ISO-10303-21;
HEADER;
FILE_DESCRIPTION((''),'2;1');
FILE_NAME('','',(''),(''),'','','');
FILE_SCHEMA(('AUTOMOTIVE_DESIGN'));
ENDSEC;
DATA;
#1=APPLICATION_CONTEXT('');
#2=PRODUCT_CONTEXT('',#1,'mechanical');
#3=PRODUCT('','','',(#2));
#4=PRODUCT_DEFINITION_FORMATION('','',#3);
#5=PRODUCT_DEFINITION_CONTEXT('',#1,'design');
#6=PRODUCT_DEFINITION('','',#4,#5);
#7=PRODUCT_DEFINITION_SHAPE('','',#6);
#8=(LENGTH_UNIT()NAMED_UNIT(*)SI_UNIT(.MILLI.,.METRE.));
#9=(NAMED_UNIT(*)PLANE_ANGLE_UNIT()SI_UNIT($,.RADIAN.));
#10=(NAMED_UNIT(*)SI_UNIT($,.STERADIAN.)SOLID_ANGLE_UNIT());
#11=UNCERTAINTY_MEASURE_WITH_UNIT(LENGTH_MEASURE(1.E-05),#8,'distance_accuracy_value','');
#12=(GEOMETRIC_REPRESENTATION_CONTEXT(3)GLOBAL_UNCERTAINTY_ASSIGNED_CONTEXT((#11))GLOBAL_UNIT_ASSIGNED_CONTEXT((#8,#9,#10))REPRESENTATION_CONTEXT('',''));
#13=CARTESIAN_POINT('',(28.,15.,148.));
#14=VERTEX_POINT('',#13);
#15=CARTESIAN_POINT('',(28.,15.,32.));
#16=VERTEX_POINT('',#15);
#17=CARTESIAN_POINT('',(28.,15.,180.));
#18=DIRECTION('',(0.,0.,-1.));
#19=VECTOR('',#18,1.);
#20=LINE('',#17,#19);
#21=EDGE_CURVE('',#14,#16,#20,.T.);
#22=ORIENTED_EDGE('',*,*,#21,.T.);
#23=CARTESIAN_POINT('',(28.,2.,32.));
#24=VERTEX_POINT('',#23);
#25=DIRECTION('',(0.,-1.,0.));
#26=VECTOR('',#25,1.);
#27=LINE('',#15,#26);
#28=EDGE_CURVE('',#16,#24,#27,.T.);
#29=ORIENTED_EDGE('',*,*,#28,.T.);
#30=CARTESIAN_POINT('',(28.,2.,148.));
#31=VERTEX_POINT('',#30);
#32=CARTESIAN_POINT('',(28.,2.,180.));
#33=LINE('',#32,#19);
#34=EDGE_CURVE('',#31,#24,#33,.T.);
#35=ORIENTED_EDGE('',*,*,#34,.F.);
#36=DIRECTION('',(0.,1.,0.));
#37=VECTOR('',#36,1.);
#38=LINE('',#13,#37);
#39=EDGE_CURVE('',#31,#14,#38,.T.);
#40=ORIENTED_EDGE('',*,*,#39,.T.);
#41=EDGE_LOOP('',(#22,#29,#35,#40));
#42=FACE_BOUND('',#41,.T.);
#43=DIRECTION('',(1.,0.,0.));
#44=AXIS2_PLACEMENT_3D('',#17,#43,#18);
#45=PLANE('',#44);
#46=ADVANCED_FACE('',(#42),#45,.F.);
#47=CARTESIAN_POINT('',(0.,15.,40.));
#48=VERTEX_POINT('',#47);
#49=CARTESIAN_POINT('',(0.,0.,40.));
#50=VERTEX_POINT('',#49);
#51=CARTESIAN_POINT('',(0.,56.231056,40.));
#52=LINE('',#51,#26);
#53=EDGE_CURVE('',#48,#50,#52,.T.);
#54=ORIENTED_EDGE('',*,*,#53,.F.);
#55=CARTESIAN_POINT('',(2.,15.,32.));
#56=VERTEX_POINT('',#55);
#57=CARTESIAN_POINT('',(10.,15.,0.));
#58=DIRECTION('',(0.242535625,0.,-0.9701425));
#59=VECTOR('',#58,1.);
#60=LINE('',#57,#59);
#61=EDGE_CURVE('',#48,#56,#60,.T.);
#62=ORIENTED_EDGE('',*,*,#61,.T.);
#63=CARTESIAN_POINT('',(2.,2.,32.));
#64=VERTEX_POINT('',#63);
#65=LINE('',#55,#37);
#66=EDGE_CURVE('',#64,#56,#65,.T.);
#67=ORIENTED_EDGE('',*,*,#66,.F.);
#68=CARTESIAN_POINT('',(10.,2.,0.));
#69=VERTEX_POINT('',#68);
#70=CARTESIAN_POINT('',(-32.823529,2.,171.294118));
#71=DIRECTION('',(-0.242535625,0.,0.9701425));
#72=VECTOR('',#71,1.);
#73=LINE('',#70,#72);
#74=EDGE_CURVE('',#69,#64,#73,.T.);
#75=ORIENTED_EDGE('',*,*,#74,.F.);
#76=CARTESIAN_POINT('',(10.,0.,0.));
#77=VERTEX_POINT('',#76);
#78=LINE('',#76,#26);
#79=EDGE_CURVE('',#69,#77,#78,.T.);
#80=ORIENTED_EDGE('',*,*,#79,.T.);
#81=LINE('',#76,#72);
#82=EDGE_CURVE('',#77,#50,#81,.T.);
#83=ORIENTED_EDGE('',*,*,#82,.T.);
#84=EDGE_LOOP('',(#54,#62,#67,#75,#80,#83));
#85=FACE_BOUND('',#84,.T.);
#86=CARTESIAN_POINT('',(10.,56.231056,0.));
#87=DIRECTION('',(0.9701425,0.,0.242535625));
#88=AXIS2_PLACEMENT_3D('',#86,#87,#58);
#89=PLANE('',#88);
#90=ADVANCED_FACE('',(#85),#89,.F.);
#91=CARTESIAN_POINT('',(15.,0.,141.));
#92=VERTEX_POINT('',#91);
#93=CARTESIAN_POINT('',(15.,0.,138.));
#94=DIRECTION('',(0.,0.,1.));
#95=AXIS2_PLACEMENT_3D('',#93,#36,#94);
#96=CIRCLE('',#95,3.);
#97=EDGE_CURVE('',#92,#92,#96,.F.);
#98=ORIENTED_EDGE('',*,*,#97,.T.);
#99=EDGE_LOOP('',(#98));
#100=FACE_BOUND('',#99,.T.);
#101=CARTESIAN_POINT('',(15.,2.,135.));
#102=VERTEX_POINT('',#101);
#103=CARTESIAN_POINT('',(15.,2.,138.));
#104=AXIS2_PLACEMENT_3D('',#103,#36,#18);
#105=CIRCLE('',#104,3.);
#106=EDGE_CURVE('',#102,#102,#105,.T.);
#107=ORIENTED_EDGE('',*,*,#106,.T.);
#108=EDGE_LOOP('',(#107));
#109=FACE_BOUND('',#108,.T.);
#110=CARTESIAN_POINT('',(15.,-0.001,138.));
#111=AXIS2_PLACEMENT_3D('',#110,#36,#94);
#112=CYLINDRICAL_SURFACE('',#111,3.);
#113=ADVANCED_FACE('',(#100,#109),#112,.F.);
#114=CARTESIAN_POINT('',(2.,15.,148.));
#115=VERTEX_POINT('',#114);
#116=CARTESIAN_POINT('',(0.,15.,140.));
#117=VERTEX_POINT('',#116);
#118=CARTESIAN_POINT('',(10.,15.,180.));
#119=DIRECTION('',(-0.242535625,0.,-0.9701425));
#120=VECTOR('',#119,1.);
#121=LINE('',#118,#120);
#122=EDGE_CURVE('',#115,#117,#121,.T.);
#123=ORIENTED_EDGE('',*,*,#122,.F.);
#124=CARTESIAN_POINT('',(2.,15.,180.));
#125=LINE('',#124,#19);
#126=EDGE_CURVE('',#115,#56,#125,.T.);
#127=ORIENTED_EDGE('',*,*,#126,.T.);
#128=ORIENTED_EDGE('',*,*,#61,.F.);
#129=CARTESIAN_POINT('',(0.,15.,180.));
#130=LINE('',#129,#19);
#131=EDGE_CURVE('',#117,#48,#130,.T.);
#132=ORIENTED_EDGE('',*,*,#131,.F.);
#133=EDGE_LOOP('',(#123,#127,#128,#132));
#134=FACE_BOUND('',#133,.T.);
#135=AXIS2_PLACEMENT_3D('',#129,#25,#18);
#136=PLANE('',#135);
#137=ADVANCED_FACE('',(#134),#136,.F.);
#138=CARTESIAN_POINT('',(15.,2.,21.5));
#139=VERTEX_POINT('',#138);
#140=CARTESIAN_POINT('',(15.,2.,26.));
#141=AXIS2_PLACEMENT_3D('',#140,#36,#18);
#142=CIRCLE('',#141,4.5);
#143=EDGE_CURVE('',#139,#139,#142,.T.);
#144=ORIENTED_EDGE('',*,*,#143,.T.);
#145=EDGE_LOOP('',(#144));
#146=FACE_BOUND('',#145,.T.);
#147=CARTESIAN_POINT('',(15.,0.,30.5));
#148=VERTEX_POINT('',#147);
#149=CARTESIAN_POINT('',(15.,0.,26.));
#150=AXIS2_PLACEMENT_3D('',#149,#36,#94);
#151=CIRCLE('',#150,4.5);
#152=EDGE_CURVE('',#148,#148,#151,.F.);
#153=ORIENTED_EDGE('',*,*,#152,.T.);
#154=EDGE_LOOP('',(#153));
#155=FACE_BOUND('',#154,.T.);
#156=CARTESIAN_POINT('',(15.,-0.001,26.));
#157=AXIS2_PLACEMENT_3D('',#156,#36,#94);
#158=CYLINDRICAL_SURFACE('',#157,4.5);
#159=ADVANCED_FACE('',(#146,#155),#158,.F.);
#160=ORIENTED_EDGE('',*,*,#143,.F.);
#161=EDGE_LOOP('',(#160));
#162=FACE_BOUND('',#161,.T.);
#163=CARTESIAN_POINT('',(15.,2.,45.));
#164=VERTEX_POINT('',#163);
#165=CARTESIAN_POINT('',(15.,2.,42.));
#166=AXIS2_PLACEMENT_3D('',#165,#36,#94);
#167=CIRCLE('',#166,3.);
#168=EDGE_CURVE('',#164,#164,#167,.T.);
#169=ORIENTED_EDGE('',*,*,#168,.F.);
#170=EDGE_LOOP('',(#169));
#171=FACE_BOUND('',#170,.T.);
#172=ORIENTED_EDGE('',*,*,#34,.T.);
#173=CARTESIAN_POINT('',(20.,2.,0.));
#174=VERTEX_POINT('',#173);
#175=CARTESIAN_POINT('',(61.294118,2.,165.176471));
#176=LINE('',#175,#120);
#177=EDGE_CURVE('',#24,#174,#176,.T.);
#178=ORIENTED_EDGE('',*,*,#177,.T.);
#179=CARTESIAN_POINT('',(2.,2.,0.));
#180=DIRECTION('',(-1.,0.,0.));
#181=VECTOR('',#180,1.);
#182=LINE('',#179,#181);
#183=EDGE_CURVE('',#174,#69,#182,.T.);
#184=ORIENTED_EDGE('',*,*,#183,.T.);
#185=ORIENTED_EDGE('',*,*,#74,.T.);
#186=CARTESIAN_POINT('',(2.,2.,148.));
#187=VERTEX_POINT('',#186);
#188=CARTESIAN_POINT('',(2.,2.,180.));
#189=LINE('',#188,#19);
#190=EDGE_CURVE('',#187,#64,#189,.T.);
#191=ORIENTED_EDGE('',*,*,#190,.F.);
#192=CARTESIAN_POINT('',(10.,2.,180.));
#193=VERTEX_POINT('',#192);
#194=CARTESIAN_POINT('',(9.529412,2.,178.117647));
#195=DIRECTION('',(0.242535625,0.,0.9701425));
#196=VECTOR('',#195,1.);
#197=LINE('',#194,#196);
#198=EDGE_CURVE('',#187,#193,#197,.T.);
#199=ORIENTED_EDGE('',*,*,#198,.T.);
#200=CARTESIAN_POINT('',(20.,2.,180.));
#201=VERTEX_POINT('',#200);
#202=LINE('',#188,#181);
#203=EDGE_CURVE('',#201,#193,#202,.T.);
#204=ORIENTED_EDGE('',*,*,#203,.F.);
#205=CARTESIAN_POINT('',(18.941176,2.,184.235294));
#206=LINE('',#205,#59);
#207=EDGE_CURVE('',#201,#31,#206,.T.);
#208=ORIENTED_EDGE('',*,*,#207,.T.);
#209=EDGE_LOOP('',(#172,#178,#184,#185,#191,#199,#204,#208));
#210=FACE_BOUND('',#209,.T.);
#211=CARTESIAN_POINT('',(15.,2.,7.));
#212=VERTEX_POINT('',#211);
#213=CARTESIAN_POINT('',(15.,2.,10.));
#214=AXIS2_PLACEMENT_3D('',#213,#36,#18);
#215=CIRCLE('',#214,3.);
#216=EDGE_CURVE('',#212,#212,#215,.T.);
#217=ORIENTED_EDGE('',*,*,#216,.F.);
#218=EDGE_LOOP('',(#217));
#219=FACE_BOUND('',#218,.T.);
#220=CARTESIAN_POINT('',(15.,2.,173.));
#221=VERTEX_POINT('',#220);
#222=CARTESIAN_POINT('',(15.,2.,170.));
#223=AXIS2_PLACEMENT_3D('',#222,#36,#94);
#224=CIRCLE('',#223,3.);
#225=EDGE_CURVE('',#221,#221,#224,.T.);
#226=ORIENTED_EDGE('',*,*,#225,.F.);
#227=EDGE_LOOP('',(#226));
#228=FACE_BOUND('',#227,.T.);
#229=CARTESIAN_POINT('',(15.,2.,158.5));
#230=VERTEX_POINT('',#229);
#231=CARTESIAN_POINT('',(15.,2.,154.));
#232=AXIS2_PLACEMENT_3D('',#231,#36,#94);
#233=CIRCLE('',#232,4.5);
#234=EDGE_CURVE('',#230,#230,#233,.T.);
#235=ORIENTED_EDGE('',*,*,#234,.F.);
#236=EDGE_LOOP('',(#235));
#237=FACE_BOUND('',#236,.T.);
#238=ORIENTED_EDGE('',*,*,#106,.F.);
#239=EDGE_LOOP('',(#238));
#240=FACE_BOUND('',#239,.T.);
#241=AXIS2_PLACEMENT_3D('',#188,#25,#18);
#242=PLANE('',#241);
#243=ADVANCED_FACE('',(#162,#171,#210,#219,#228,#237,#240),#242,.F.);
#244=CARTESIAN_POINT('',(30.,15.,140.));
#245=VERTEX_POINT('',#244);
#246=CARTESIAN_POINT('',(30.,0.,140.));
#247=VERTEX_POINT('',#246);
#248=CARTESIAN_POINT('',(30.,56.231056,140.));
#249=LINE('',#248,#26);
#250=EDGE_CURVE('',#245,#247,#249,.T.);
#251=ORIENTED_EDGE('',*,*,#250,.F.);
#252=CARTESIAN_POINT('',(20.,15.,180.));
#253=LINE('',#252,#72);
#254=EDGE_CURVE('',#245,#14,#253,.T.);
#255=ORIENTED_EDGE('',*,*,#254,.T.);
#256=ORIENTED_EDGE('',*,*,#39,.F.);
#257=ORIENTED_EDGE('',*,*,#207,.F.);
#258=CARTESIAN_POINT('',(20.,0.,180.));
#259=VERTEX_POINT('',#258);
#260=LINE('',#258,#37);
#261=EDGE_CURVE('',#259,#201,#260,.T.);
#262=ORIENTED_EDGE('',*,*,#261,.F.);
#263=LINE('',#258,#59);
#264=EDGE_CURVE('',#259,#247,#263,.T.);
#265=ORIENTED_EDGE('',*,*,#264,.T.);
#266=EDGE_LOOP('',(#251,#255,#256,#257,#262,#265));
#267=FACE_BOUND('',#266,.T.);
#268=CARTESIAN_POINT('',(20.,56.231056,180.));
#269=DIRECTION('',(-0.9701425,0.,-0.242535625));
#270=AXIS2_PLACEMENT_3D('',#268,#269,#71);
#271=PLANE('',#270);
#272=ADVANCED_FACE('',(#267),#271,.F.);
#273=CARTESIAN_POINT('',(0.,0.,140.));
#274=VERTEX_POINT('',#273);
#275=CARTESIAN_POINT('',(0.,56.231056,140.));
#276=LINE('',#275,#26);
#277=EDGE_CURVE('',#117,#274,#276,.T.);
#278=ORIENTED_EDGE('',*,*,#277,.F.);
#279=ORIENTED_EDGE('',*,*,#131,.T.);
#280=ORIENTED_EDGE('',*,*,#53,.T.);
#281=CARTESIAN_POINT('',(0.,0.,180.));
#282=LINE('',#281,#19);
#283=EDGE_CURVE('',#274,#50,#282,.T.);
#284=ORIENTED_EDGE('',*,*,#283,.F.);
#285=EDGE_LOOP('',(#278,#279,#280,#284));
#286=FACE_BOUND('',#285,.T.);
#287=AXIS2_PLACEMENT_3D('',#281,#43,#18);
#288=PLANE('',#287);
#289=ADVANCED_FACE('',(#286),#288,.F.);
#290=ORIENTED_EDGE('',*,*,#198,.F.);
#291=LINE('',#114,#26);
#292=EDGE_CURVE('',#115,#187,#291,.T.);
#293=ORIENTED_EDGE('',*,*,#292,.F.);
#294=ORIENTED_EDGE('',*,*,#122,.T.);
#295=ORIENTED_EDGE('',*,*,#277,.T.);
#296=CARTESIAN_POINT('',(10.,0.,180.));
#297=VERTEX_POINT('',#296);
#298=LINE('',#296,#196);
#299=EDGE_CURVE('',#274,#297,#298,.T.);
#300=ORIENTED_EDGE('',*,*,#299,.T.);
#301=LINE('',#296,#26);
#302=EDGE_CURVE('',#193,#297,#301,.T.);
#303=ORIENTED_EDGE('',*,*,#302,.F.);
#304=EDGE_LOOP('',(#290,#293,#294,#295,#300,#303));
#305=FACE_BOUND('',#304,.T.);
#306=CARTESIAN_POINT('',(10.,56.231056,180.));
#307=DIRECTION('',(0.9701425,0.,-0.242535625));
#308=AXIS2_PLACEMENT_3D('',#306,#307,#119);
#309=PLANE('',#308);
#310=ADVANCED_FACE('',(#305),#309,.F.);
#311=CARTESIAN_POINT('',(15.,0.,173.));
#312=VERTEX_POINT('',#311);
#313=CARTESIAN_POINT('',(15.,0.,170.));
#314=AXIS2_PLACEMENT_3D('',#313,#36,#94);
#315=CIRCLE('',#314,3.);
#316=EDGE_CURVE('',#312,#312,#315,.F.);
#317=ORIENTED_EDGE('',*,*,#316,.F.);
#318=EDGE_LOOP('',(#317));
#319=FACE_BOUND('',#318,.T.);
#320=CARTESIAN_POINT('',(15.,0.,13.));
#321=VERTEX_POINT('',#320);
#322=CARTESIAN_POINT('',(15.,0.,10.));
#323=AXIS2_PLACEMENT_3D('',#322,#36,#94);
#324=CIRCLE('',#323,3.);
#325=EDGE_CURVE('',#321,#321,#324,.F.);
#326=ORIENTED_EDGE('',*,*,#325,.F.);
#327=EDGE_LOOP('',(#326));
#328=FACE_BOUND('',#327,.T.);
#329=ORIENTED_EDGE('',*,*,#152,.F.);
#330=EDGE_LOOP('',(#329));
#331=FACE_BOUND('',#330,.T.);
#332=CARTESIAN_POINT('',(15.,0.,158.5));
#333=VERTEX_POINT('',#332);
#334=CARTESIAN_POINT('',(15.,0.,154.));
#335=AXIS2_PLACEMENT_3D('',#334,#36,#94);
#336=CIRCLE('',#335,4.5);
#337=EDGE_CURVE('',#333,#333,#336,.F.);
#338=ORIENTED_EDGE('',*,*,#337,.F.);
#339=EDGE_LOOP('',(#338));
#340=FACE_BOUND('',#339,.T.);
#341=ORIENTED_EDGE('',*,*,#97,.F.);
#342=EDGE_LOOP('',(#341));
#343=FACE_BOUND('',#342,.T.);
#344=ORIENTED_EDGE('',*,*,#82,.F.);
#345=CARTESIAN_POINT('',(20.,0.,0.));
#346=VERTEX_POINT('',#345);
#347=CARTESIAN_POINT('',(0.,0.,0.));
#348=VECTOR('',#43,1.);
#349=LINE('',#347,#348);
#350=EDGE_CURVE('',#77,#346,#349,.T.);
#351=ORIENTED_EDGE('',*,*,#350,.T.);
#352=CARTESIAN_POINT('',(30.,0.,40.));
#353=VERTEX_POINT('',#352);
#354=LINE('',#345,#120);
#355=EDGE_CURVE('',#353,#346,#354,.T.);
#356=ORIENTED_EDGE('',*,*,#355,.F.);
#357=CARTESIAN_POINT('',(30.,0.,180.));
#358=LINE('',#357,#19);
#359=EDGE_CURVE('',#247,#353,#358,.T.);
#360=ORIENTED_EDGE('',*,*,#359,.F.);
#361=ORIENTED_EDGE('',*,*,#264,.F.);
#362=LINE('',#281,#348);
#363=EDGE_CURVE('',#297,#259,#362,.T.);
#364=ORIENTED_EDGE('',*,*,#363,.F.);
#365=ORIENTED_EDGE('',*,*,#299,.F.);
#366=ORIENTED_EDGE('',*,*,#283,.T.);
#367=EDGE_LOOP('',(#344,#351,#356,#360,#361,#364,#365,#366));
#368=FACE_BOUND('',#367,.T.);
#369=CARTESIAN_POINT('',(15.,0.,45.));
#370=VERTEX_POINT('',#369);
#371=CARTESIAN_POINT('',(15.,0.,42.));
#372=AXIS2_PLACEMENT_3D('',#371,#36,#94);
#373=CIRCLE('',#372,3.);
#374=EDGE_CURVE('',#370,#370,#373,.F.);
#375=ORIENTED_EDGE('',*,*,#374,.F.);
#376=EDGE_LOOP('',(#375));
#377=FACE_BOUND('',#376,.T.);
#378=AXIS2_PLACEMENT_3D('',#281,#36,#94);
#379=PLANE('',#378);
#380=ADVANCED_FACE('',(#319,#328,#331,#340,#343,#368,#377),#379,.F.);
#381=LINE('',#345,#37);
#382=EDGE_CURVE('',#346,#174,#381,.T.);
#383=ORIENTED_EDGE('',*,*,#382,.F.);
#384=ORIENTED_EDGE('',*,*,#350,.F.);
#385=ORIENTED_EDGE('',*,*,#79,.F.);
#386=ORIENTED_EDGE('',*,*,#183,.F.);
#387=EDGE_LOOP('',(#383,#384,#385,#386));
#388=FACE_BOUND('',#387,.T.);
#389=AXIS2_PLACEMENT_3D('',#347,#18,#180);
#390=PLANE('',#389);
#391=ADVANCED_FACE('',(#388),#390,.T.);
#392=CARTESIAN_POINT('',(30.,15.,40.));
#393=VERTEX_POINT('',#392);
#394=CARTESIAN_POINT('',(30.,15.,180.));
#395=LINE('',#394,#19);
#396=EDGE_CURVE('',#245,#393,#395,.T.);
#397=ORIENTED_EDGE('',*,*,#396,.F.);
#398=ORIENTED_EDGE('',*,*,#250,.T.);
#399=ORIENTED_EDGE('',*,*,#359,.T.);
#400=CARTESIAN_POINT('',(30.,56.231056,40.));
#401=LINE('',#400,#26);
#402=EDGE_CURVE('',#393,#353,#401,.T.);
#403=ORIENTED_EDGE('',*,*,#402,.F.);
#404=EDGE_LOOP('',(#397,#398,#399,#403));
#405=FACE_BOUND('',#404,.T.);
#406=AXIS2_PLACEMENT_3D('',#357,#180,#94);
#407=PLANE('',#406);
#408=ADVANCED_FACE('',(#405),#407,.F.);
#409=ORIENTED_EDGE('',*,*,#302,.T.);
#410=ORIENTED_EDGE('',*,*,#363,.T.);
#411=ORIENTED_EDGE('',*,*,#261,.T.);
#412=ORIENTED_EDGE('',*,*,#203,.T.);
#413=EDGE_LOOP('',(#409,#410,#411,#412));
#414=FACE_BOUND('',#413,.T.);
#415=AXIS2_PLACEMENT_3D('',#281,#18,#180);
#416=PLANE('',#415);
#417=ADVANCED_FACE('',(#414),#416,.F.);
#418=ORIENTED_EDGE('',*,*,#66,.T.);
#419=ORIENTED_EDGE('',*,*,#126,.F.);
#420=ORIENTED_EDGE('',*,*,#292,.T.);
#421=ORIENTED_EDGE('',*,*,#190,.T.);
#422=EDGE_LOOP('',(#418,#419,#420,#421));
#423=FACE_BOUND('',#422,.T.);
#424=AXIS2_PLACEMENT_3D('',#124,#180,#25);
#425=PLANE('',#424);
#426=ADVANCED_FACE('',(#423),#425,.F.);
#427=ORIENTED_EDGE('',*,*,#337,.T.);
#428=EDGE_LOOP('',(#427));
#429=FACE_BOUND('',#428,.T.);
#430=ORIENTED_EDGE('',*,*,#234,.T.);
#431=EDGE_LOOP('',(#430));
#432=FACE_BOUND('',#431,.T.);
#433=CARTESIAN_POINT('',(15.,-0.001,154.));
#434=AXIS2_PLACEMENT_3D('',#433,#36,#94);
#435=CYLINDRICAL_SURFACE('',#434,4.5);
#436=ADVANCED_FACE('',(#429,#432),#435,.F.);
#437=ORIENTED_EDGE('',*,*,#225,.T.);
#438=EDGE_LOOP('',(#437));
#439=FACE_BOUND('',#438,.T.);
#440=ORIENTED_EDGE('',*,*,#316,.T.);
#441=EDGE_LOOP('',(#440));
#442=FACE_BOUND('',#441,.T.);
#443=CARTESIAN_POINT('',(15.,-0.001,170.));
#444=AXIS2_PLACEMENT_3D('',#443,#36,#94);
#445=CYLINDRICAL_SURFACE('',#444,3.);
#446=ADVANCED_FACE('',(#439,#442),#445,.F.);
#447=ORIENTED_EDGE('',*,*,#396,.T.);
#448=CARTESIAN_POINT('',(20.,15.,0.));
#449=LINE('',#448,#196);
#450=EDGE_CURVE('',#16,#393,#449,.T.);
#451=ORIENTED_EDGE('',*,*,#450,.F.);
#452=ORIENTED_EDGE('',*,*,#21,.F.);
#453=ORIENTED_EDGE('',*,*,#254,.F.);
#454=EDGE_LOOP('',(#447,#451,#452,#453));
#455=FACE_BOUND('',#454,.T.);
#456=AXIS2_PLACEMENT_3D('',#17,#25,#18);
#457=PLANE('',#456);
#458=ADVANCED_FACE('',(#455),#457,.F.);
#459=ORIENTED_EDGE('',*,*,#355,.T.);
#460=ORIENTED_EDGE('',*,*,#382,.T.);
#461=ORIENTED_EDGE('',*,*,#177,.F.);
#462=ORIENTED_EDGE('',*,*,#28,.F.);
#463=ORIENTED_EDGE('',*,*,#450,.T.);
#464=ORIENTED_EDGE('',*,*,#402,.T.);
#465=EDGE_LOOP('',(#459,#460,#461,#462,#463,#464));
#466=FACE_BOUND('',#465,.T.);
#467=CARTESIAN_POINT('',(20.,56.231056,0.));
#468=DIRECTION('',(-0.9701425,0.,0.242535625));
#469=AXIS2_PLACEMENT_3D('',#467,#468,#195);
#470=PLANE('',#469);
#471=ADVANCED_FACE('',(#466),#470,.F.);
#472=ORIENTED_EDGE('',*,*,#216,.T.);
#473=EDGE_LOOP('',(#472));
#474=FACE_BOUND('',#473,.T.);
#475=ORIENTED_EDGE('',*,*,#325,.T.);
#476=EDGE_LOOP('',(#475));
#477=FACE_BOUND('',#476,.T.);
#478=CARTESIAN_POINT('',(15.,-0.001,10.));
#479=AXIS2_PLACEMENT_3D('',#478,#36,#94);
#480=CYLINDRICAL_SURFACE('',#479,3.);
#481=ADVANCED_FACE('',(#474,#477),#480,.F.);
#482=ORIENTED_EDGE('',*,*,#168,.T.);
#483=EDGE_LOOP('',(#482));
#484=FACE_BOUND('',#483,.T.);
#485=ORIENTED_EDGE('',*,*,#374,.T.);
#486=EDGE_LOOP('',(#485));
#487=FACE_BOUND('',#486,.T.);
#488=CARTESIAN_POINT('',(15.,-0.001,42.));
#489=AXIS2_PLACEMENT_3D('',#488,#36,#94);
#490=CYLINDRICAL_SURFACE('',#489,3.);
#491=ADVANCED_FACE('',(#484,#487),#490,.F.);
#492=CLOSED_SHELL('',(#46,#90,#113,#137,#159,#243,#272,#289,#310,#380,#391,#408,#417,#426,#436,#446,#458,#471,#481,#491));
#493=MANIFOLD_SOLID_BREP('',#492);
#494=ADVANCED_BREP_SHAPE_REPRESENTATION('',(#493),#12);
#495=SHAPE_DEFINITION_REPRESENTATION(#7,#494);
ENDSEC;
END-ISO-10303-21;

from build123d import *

# Parameters (mm, degrees)
P_IDAT_VYSUNUT_M1_DEPTH  = 180
ODEBRAT_VYSUNUT_M1_REACH = 4
SKICA2_R                 = 3
SKICA2_R_2               = 4.5
ODEBRAT_VYSUNUT_M2_DEPTH = 15


with BuildPart() as part:
    # Skica1 → Přidat vysunutím1 (new body)
    with BuildSketch(Plane.XY):
        Polygon((28, 15), (30, 15), (30, 0), (0, 0), (0, 15), (2, 15), (2, 2), (28, 2), align=None)
    extrude(amount=P_IDAT_VYSUNUT_M1_DEPTH)

    # Skica2 → Odebrat vysunutím1 (cut, up to next)
    with BuildSketch(Plane(origin=(0, 2, 0), x_dir=(1, 0, 0), z_dir=(0, 1, 0)), mode=Mode.PRIVATE) as odebrat_vysunut_m1_sk1:
        with Locations((15, -170)):
            Circle(SKICA2_R)
    odebrat_vysunut_m1_tool1 = extrude(odebrat_vysunut_m1_sk1.sketch, amount=-ODEBRAT_VYSUNUT_M1_REACH, mode=Mode.PRIVATE) & part.part
    add(odebrat_vysunut_m1_tool1.solids().sort_by_distance((15, 2, 170))[0], mode=Mode.SUBTRACT)
    # Skica2 → Odebrat vysunutím1 (cut, up to next)
    with BuildSketch(Plane(origin=(0, 2, 0), x_dir=(1, 0, 0), z_dir=(0, 1, 0)), mode=Mode.PRIVATE) as odebrat_vysunut_m1_sk2:
        with Locations((15, -154)):
            Circle(SKICA2_R_2)
    odebrat_vysunut_m1_tool2 = extrude(odebrat_vysunut_m1_sk2.sketch, amount=-ODEBRAT_VYSUNUT_M1_REACH, mode=Mode.PRIVATE) & part.part
    add(odebrat_vysunut_m1_tool2.solids().sort_by_distance((15, 2, 154))[0], mode=Mode.SUBTRACT)
    # Skica2 → Odebrat vysunutím1 (cut, up to next)
    with BuildSketch(Plane(origin=(0, 2, 0), x_dir=(1, 0, 0), z_dir=(0, 1, 0)), mode=Mode.PRIVATE) as odebrat_vysunut_m1_sk3:
        with Locations((15, -138)):
            Circle(SKICA2_R)
    odebrat_vysunut_m1_tool3 = extrude(odebrat_vysunut_m1_sk3.sketch, amount=-ODEBRAT_VYSUNUT_M1_REACH, mode=Mode.PRIVATE) & part.part
    add(odebrat_vysunut_m1_tool3.solids().sort_by_distance((15, 2, 138))[0], mode=Mode.SUBTRACT)
    # Skica2 → Odebrat vysunutím1 (cut, up to next)
    with BuildSketch(Plane(origin=(0, 2, 0), x_dir=(1, 0, 0), z_dir=(0, 1, 0)), mode=Mode.PRIVATE) as odebrat_vysunut_m1_sk4:
        with Locations((15, -42)):
            Circle(SKICA2_R)
    odebrat_vysunut_m1_tool4 = extrude(odebrat_vysunut_m1_sk4.sketch, amount=-ODEBRAT_VYSUNUT_M1_REACH, mode=Mode.PRIVATE) & part.part
    add(odebrat_vysunut_m1_tool4.solids().sort_by_distance((15, 2, 42))[0], mode=Mode.SUBTRACT)
    # Skica2 → Odebrat vysunutím1 (cut, up to next)
    with BuildSketch(Plane(origin=(0, 2, 0), x_dir=(1, 0, 0), z_dir=(0, 1, 0)), mode=Mode.PRIVATE) as odebrat_vysunut_m1_sk5:
        with Locations((15, -26)):
            Circle(SKICA2_R_2)
    odebrat_vysunut_m1_tool5 = extrude(odebrat_vysunut_m1_sk5.sketch, amount=-ODEBRAT_VYSUNUT_M1_REACH, mode=Mode.PRIVATE) & part.part
    add(odebrat_vysunut_m1_tool5.solids().sort_by_distance((15, 2, 26))[0], mode=Mode.SUBTRACT)
    # Skica2 → Odebrat vysunutím1 (cut, up to next)
    with BuildSketch(Plane(origin=(0, 2, 0), x_dir=(1, 0, 0), z_dir=(0, 1, 0)), mode=Mode.PRIVATE) as odebrat_vysunut_m1_sk6:
        with Locations((15, -10)):
            Circle(SKICA2_R)
    odebrat_vysunut_m1_tool6 = extrude(odebrat_vysunut_m1_sk6.sketch, amount=-ODEBRAT_VYSUNUT_M1_REACH, mode=Mode.PRIVATE) & part.part
    add(odebrat_vysunut_m1_tool6.solids().sort_by_distance((15, 2, 10))[0], mode=Mode.SUBTRACT)

    # Skica3 → Odebrat vysunutím2 (cut)
    with BuildSketch(Plane.XZ):
        Polygon((30, 180), (20, 180), (30, 140), align=None)
        Polygon((0, 0), (10, 0), (0, 40), align=None)
        Polygon((10, 180), (0, 140), (0, 180), align=None)
        Polygon((20, 0), (30, 40), (30, 0), align=None)
    extrude(amount=-ODEBRAT_VYSUNUT_M2_DEPTH, mode=Mode.SUBTRACT)


solid = part.part
